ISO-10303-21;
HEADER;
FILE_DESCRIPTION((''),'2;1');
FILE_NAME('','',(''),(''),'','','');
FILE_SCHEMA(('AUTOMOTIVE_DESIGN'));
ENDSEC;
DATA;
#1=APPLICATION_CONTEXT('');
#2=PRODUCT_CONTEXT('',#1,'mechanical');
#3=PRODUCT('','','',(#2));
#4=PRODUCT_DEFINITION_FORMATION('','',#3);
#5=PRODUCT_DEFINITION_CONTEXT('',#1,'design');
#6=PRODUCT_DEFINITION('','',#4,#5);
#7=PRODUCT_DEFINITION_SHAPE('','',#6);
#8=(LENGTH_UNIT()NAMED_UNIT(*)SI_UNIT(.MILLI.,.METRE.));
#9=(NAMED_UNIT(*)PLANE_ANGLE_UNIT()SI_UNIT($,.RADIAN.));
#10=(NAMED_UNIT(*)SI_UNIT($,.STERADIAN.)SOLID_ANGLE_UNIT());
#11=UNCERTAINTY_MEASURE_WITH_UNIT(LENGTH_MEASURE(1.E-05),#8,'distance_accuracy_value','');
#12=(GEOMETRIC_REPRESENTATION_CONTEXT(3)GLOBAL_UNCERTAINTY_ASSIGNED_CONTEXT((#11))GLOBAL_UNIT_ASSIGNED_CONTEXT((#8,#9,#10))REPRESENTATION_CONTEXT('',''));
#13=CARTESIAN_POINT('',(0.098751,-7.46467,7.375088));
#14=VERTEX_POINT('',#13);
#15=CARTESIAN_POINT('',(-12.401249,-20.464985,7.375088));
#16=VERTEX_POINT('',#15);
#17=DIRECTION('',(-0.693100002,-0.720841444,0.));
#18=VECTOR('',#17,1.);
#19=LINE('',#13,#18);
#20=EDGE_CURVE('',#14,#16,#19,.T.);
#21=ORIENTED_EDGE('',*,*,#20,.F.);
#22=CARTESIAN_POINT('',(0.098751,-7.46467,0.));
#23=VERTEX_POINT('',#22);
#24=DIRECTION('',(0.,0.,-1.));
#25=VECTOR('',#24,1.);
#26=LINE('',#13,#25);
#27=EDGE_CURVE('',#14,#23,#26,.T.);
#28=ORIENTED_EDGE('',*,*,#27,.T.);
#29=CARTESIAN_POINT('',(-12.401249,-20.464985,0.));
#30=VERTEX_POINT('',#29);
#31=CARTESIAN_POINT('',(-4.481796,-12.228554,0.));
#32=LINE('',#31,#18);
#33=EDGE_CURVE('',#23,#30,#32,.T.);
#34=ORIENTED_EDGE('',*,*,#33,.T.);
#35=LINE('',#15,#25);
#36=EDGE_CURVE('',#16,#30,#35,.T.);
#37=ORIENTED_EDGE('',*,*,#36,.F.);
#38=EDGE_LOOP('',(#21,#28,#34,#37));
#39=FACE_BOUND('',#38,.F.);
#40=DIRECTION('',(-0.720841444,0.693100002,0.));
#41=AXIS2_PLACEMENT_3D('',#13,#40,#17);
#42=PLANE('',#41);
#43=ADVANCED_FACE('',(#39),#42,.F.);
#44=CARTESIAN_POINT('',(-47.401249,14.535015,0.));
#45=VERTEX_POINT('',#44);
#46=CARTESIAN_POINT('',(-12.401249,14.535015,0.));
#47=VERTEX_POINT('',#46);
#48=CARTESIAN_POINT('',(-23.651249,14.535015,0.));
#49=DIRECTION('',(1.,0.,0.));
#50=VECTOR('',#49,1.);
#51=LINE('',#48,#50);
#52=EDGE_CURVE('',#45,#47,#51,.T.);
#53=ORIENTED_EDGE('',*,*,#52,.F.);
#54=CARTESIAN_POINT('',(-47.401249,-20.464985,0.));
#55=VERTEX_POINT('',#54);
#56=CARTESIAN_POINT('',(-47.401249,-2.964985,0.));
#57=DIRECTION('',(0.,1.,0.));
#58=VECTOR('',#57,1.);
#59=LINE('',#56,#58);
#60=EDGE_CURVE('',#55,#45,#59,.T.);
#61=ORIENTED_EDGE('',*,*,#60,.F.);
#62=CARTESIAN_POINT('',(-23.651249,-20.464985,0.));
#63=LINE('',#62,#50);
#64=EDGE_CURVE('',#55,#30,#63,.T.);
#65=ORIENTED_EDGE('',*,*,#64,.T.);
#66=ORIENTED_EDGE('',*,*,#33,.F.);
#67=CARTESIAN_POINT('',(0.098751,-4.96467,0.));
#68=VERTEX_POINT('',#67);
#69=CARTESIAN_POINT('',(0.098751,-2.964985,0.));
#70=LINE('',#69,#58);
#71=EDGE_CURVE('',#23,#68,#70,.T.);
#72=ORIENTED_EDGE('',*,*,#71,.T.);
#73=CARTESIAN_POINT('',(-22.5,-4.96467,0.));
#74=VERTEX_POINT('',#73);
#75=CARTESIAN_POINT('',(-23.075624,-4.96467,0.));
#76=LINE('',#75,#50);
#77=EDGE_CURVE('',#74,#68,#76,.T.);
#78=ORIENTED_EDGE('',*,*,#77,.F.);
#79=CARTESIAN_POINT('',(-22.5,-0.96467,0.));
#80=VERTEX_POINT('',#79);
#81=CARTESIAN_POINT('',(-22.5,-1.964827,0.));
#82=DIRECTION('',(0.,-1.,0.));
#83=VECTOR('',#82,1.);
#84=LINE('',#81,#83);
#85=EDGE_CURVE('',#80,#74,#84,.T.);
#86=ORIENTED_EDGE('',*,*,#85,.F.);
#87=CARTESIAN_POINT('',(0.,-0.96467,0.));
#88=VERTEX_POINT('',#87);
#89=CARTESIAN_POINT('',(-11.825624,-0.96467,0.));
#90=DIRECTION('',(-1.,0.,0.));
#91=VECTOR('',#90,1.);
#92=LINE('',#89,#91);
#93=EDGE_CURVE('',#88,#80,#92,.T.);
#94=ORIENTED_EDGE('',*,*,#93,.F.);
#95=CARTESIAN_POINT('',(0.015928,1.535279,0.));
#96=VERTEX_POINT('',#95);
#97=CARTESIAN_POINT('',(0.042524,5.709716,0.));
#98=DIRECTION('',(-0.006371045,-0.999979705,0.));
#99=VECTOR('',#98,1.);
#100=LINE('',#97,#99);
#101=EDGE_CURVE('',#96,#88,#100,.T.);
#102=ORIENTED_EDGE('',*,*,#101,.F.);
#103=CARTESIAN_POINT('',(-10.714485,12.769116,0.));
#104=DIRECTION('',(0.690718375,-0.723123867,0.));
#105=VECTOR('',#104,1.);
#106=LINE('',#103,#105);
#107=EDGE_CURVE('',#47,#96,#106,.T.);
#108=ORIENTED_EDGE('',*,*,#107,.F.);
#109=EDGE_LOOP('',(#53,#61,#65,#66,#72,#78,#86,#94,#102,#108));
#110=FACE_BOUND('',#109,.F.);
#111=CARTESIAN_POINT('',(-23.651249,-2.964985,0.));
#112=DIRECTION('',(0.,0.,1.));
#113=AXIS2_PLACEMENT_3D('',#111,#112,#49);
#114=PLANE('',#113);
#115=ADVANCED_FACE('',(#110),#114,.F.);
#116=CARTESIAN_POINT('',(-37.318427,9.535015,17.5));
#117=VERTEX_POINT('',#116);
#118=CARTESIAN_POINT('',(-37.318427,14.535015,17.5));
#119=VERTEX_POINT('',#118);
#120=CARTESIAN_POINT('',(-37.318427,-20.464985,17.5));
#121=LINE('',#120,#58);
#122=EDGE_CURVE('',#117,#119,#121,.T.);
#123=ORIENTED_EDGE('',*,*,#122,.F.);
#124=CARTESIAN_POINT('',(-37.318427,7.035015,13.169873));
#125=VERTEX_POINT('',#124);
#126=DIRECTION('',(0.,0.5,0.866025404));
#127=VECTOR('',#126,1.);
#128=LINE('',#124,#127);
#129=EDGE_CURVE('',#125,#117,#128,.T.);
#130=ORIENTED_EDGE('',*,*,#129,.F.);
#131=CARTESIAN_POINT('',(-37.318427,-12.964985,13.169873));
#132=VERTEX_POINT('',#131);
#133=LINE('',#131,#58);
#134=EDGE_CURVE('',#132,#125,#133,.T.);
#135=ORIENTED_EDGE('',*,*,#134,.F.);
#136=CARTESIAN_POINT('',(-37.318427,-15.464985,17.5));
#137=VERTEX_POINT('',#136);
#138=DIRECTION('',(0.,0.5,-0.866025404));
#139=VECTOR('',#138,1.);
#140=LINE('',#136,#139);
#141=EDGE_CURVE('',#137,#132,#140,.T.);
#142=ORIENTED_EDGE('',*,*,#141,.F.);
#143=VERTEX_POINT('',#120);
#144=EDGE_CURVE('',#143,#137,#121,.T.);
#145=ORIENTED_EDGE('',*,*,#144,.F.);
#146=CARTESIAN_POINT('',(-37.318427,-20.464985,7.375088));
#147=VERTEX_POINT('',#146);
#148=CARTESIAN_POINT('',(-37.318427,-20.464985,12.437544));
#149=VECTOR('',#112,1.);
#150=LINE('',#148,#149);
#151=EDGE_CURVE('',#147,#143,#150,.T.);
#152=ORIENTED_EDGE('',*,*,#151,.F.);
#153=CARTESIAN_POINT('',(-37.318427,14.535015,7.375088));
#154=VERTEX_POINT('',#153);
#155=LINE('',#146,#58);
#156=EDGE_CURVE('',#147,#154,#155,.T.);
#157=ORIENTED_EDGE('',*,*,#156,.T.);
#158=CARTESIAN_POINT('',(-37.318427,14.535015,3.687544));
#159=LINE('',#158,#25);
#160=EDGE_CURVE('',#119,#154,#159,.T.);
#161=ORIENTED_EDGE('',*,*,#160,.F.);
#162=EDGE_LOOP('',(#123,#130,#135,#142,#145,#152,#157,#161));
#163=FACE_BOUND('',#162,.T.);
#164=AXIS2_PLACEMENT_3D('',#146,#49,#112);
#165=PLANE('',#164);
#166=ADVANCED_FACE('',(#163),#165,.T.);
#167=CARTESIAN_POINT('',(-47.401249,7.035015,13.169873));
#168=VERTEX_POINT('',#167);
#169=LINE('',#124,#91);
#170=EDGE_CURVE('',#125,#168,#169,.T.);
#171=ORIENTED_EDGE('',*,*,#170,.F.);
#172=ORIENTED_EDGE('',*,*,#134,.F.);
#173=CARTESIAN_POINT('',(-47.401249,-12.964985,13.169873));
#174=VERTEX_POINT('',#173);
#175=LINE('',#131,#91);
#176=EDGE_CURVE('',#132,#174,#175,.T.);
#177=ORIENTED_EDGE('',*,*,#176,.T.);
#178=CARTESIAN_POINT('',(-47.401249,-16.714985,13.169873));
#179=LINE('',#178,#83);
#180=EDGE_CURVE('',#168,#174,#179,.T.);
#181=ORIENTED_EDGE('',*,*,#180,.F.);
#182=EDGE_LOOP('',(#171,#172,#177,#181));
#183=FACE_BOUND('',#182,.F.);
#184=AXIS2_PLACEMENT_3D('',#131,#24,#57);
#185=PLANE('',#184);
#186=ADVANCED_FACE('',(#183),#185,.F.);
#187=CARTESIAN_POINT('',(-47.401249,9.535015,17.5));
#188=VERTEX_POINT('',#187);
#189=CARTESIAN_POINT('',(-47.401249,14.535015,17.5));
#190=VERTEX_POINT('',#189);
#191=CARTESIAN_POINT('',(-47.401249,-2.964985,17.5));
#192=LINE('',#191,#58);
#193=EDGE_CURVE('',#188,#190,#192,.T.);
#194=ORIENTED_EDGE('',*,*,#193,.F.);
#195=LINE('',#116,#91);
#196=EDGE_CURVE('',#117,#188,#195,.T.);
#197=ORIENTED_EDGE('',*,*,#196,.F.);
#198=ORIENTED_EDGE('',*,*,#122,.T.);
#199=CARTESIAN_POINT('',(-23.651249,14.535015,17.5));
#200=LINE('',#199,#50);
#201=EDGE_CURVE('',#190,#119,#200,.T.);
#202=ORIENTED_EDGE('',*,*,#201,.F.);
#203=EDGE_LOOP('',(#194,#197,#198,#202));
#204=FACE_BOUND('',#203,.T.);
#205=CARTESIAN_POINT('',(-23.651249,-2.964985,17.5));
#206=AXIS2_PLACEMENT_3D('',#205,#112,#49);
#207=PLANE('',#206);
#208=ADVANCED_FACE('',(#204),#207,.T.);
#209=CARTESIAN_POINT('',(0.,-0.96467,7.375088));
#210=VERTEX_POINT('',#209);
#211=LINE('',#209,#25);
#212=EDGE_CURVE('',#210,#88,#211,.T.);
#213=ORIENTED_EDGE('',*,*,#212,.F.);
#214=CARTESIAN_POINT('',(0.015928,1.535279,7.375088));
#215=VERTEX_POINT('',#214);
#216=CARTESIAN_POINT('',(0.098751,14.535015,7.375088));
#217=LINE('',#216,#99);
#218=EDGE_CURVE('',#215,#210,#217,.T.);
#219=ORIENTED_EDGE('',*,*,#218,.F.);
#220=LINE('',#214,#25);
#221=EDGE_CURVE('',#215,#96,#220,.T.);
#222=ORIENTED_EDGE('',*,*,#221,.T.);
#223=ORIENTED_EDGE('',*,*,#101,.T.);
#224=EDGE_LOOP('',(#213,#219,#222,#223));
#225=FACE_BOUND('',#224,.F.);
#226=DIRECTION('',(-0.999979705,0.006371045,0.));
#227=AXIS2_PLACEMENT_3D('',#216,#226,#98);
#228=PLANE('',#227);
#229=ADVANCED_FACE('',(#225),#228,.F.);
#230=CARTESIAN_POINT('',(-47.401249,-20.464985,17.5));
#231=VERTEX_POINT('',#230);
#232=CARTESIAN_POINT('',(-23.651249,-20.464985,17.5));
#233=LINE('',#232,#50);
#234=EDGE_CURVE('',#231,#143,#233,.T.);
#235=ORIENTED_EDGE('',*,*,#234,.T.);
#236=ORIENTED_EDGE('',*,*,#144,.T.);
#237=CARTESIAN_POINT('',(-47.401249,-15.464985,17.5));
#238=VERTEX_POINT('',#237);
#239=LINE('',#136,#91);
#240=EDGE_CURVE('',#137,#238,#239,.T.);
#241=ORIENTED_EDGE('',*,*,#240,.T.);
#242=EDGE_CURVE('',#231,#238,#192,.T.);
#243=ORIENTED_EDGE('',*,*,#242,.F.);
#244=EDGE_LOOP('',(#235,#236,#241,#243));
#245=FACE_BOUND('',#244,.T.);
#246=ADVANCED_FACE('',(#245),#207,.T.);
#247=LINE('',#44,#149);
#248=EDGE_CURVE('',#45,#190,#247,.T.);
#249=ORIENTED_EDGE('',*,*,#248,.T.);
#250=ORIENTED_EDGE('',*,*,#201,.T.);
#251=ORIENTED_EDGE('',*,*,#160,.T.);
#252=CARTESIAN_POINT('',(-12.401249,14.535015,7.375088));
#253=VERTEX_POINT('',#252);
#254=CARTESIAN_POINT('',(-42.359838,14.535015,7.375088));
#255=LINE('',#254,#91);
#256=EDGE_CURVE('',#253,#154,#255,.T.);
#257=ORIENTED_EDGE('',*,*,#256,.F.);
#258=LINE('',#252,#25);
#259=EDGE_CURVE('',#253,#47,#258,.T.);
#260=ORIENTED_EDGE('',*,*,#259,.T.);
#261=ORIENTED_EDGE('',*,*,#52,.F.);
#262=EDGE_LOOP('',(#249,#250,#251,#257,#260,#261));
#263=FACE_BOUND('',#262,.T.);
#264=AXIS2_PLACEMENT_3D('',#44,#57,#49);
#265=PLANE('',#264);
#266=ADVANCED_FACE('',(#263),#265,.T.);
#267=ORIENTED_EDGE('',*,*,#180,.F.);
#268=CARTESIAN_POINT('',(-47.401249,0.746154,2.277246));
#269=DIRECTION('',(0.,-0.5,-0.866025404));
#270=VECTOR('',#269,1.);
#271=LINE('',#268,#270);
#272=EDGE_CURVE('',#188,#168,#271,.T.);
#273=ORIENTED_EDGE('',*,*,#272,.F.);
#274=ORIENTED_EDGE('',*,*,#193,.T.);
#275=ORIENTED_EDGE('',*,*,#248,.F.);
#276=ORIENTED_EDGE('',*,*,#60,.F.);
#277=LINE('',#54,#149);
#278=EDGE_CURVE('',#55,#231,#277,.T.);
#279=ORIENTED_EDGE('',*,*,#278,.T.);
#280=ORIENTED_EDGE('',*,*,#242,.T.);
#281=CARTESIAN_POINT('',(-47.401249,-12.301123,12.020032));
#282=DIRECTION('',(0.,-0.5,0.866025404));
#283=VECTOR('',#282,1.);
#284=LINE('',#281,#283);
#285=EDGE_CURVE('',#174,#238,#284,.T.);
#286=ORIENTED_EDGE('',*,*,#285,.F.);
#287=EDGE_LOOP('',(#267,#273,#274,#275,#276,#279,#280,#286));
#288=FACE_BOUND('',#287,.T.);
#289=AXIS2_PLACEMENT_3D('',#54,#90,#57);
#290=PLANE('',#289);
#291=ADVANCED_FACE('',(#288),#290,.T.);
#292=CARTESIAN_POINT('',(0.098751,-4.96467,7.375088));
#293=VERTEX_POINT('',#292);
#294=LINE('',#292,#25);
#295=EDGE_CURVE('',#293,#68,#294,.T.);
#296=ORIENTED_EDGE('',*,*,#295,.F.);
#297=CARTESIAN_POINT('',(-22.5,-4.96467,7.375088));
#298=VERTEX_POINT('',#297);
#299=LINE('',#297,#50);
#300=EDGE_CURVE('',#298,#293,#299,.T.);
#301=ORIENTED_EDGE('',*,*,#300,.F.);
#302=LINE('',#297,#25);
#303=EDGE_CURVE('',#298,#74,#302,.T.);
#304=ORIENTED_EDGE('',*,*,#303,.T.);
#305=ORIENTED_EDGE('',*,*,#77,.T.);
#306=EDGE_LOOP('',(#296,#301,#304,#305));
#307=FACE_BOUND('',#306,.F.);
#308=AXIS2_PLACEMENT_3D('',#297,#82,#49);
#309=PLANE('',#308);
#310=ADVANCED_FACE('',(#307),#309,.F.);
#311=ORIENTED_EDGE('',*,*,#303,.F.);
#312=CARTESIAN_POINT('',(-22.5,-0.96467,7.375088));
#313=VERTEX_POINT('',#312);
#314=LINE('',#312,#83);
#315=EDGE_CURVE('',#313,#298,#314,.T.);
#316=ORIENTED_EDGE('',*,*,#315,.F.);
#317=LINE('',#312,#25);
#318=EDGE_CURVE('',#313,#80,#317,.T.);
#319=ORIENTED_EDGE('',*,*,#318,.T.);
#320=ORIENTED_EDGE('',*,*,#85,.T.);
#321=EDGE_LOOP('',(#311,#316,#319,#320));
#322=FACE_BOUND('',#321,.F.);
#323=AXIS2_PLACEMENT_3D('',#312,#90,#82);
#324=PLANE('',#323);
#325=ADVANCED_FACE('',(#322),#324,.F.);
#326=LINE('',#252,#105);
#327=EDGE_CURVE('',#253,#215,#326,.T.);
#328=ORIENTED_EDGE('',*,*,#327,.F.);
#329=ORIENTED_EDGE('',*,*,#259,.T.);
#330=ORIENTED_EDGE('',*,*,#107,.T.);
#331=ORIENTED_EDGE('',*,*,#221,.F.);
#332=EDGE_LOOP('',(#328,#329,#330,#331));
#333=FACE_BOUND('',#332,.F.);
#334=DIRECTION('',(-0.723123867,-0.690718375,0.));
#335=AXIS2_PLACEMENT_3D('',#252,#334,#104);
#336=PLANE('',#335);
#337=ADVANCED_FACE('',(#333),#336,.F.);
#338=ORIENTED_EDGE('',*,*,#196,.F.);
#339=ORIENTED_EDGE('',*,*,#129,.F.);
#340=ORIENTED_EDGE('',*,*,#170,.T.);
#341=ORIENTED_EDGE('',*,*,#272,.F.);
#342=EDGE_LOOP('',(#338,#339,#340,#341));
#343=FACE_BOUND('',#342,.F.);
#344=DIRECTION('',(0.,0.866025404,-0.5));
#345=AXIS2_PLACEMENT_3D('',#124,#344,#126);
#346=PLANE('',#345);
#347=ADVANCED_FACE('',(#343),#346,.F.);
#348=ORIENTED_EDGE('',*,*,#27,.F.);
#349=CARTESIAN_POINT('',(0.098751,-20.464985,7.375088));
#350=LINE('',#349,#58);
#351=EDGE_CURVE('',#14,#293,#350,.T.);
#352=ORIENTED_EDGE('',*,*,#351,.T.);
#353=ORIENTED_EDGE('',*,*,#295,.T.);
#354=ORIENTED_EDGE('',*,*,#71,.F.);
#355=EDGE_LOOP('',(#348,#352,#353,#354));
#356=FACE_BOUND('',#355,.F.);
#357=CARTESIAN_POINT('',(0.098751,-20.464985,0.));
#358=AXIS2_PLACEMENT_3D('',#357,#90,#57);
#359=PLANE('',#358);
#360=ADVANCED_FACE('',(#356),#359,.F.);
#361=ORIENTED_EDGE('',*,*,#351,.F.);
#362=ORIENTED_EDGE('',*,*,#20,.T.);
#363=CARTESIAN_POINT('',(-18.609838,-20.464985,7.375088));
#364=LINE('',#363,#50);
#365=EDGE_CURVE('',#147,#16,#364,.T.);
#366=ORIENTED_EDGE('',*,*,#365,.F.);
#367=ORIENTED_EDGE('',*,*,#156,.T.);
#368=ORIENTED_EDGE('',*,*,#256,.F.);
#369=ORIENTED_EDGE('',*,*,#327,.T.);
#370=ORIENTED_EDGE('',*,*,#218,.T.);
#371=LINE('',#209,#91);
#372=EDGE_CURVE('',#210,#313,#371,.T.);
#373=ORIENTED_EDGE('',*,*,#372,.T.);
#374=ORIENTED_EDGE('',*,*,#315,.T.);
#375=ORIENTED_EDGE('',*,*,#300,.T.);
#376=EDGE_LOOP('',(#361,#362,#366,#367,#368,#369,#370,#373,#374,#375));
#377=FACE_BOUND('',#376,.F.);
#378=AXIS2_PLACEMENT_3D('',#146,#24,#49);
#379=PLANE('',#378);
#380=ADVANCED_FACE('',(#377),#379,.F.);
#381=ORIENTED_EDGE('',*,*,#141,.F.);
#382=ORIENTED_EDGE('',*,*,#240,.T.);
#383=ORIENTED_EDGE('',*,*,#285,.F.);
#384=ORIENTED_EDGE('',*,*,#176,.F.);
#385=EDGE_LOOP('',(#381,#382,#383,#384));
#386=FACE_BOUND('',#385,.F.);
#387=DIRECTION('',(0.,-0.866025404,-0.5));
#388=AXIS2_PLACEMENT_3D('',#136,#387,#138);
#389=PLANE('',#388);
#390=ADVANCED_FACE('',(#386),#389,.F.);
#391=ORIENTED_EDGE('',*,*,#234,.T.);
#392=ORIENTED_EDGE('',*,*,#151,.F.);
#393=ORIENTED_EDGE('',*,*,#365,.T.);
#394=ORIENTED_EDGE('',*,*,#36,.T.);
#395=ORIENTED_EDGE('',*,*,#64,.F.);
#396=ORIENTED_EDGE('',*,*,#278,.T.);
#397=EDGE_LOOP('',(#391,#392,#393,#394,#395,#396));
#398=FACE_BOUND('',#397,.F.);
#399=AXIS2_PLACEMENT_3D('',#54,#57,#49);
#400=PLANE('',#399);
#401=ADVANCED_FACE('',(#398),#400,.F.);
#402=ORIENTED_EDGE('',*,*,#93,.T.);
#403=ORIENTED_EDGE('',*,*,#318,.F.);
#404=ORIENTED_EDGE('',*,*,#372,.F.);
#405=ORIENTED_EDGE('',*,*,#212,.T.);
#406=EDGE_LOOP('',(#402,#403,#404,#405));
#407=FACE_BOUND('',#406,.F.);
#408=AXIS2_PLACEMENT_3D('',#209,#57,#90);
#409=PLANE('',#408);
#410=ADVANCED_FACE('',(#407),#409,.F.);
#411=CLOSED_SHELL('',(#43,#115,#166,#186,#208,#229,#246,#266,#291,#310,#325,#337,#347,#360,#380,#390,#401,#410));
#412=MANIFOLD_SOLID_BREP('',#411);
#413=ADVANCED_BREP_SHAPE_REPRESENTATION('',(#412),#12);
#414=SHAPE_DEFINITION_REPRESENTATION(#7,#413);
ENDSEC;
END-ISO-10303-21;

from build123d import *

# Parameters (mm, degrees)
F0_W     = 47.5
F0_H     = 35
F1_DEPTH = 17.5
F2_W     = 37.4171783071
F2_H     = 10.1249119453
F3_DEPTH = 35.001
F5_DEPTH = 10.0838216929
F7_DEPTH = 7.3760880547
F9_DEPTH = 7.3760880547


with BuildPart() as f1:
    # F0 (on Top) → F1 (new body)
    with BuildSketch(Plane.XY):
        with Locations((-23.6512488086, -2.9649846256)):
            Rectangle(F0_W, F0_H)
    extrude(amount=F1_DEPTH)

    # F2 (on face) → F3 (cut, through all)
    with BuildSketch(Plane.XZ.offset(20.4649846256)):
        with Locations((-18.6098379621, 12.4375440273)):
            Rectangle(F2_W, F2_H)
    extrude(amount=-F3_DEPTH, mode=Mode.SUBTRACT)

    # F4 (on face) → F5 (cut, through all)
    with BuildSketch(Plane.YZ.offset(-37.3184271157)):
        Polygon((9.5350153744, 17.5), (-15.4649846256, 17.5), (-12.9649846256, 13.1698729811), (7.0350153744, 13.1698729811), align=None)
    extrude(amount=-F5_DEPTH, mode=Mode.SUBTRACT)

    # F6 (on face) → F7 (cut, through all)
    with BuildSketch(Plane.XY.offset(7.3750880547)):
        Polygon((-22.5, -4.9646700483), (0.0987511914, -4.9646700483), (0.0987511914, 14.5350153744), (0, -0.9646700483), (-22.5, -0.9646700483), align=None)
    extrude(amount=-F7_DEPTH, mode=Mode.SUBTRACT)

    # F8 (on face) → F9 (cut, through all)
    with BuildSketch(Plane.XY.offset(7.3750880547)):
        Polygon((0.0987511914, -9.7249615937), (0.0987511914, -7.4646700483), (-12.4012488086, -20.4649846256), (0.0987511914, -20.4649846256), align=None)
        Polygon((-12.4012488086, 14.5350153744), (0.0159276115, 1.5352792135), (0.0987511914, 14.5350153744), align=None)
    extrude(amount=-F9_DEPTH, mode=Mode.SUBTRACT)


solid = f1.part
